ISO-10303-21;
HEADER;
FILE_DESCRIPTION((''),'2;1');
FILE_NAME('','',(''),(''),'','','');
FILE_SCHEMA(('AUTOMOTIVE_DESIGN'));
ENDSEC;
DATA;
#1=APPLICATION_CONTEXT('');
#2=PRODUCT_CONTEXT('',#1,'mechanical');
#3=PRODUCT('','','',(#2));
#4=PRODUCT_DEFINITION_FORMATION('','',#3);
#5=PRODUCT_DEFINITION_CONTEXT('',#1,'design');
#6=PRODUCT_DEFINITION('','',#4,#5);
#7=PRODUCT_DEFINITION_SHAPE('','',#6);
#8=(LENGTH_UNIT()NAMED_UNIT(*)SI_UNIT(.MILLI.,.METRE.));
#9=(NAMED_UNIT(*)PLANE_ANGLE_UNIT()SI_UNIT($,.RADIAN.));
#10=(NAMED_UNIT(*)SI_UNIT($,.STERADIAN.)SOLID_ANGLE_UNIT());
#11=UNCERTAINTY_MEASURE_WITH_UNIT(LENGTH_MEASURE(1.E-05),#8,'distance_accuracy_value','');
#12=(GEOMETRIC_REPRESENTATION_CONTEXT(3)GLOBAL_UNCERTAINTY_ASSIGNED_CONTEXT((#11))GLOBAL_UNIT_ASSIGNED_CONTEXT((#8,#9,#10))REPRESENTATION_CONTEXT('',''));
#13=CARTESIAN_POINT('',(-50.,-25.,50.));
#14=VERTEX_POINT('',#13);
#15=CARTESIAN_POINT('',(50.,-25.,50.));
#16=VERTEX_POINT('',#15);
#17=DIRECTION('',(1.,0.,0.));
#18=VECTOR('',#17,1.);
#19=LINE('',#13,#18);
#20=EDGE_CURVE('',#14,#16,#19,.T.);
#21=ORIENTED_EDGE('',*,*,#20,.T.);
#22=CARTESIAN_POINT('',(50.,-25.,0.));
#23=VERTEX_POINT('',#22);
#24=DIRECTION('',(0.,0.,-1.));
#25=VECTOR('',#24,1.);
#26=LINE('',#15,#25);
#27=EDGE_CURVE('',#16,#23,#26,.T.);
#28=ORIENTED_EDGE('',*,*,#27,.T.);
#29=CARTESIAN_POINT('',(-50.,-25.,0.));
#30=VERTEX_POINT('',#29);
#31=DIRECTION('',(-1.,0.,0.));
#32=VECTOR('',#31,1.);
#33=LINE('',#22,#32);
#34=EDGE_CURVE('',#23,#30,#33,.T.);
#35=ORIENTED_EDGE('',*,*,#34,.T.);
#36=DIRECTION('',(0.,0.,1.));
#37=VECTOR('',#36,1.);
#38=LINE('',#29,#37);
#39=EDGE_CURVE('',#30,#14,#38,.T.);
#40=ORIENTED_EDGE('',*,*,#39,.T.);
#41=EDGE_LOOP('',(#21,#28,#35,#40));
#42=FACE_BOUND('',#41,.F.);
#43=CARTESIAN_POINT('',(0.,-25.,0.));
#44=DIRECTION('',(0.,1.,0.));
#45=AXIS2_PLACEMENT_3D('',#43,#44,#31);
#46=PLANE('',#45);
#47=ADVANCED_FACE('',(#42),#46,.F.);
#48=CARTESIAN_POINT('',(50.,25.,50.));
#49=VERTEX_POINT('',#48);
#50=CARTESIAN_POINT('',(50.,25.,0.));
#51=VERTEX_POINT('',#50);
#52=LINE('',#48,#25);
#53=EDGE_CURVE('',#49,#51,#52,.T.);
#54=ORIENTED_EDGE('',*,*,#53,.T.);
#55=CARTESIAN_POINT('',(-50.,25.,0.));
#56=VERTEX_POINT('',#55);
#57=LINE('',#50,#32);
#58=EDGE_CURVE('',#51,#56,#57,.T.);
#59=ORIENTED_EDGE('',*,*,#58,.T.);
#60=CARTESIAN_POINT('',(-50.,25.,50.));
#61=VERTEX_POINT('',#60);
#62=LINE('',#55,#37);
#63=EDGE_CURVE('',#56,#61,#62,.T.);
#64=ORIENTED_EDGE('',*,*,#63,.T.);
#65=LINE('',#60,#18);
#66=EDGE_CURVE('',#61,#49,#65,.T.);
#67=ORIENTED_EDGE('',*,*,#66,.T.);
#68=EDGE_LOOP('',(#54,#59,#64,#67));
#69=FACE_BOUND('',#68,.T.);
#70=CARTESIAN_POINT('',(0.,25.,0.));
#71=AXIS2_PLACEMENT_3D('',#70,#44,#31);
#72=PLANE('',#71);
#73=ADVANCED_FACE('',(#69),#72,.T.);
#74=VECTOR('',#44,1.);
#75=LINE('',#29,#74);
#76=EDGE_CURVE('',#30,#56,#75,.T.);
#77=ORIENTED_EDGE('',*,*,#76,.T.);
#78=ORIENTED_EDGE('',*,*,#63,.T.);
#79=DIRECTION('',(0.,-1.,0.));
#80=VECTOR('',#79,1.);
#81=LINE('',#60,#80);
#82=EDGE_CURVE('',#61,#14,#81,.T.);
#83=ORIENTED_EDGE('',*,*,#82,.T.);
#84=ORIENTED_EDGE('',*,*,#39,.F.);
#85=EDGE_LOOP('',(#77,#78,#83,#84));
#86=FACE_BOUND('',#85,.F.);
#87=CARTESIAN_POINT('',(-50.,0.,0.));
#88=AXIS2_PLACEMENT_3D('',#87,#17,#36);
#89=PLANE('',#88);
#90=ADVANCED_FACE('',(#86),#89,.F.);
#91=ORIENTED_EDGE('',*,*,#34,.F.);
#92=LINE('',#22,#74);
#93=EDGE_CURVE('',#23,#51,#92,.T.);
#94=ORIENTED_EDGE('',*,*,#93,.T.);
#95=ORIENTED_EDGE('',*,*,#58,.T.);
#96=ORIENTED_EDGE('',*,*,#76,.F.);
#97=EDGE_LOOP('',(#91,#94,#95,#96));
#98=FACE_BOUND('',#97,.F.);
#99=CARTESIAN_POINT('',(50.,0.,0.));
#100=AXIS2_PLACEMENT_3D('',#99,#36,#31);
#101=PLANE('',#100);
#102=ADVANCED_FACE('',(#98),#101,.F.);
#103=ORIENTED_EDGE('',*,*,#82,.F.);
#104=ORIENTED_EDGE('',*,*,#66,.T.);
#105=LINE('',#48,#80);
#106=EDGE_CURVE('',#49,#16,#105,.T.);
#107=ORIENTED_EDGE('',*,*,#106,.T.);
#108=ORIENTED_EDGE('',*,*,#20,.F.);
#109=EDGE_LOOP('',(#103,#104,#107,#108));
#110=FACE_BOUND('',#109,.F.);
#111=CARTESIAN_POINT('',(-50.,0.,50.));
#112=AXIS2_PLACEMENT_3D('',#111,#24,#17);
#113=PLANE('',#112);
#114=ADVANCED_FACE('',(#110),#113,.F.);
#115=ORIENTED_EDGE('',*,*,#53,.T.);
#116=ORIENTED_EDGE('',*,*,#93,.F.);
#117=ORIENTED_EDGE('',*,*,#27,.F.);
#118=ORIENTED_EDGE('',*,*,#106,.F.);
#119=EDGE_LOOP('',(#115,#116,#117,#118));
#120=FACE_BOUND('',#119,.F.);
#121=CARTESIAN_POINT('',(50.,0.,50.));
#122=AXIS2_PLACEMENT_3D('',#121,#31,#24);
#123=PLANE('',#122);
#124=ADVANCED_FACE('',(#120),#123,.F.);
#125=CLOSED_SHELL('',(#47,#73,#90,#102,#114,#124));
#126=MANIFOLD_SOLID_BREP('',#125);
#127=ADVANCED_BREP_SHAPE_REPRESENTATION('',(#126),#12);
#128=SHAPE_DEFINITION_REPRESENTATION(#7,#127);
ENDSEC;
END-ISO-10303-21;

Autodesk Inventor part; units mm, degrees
ref_plane "YZ Plane" through (0, 0, 0) normal (1, 0, 0) x (0, 1, 0)
ref_plane "XZ Plane" through (0, 0, 0) normal (0, 1, 0) x (-1, 0, 0)
ref_plane "XY Plane" through (0, 0, 0) normal (0, 0, 1) x (1, 0, 0)
sketch "草圖1" plane through (0, 0, 0) normal (0, 1, 0) x (-1, 0, 0)
  line L0 (-50, 0) -> (50, 0)
  line L1 (50, 0) -> (50, 50)
  line L2 (50, 50) -> (-50, 50)
  line L3 (-50, 50) -> (-50, 0)
  point P0 (0, 0)
  point P1 (0, 0)
  dimension "d0" = 50
  dimension "d1" = 100
extrude "擠出1" add sketch "草圖1" along normal mid plane 50
properties part number "汽缸3"
